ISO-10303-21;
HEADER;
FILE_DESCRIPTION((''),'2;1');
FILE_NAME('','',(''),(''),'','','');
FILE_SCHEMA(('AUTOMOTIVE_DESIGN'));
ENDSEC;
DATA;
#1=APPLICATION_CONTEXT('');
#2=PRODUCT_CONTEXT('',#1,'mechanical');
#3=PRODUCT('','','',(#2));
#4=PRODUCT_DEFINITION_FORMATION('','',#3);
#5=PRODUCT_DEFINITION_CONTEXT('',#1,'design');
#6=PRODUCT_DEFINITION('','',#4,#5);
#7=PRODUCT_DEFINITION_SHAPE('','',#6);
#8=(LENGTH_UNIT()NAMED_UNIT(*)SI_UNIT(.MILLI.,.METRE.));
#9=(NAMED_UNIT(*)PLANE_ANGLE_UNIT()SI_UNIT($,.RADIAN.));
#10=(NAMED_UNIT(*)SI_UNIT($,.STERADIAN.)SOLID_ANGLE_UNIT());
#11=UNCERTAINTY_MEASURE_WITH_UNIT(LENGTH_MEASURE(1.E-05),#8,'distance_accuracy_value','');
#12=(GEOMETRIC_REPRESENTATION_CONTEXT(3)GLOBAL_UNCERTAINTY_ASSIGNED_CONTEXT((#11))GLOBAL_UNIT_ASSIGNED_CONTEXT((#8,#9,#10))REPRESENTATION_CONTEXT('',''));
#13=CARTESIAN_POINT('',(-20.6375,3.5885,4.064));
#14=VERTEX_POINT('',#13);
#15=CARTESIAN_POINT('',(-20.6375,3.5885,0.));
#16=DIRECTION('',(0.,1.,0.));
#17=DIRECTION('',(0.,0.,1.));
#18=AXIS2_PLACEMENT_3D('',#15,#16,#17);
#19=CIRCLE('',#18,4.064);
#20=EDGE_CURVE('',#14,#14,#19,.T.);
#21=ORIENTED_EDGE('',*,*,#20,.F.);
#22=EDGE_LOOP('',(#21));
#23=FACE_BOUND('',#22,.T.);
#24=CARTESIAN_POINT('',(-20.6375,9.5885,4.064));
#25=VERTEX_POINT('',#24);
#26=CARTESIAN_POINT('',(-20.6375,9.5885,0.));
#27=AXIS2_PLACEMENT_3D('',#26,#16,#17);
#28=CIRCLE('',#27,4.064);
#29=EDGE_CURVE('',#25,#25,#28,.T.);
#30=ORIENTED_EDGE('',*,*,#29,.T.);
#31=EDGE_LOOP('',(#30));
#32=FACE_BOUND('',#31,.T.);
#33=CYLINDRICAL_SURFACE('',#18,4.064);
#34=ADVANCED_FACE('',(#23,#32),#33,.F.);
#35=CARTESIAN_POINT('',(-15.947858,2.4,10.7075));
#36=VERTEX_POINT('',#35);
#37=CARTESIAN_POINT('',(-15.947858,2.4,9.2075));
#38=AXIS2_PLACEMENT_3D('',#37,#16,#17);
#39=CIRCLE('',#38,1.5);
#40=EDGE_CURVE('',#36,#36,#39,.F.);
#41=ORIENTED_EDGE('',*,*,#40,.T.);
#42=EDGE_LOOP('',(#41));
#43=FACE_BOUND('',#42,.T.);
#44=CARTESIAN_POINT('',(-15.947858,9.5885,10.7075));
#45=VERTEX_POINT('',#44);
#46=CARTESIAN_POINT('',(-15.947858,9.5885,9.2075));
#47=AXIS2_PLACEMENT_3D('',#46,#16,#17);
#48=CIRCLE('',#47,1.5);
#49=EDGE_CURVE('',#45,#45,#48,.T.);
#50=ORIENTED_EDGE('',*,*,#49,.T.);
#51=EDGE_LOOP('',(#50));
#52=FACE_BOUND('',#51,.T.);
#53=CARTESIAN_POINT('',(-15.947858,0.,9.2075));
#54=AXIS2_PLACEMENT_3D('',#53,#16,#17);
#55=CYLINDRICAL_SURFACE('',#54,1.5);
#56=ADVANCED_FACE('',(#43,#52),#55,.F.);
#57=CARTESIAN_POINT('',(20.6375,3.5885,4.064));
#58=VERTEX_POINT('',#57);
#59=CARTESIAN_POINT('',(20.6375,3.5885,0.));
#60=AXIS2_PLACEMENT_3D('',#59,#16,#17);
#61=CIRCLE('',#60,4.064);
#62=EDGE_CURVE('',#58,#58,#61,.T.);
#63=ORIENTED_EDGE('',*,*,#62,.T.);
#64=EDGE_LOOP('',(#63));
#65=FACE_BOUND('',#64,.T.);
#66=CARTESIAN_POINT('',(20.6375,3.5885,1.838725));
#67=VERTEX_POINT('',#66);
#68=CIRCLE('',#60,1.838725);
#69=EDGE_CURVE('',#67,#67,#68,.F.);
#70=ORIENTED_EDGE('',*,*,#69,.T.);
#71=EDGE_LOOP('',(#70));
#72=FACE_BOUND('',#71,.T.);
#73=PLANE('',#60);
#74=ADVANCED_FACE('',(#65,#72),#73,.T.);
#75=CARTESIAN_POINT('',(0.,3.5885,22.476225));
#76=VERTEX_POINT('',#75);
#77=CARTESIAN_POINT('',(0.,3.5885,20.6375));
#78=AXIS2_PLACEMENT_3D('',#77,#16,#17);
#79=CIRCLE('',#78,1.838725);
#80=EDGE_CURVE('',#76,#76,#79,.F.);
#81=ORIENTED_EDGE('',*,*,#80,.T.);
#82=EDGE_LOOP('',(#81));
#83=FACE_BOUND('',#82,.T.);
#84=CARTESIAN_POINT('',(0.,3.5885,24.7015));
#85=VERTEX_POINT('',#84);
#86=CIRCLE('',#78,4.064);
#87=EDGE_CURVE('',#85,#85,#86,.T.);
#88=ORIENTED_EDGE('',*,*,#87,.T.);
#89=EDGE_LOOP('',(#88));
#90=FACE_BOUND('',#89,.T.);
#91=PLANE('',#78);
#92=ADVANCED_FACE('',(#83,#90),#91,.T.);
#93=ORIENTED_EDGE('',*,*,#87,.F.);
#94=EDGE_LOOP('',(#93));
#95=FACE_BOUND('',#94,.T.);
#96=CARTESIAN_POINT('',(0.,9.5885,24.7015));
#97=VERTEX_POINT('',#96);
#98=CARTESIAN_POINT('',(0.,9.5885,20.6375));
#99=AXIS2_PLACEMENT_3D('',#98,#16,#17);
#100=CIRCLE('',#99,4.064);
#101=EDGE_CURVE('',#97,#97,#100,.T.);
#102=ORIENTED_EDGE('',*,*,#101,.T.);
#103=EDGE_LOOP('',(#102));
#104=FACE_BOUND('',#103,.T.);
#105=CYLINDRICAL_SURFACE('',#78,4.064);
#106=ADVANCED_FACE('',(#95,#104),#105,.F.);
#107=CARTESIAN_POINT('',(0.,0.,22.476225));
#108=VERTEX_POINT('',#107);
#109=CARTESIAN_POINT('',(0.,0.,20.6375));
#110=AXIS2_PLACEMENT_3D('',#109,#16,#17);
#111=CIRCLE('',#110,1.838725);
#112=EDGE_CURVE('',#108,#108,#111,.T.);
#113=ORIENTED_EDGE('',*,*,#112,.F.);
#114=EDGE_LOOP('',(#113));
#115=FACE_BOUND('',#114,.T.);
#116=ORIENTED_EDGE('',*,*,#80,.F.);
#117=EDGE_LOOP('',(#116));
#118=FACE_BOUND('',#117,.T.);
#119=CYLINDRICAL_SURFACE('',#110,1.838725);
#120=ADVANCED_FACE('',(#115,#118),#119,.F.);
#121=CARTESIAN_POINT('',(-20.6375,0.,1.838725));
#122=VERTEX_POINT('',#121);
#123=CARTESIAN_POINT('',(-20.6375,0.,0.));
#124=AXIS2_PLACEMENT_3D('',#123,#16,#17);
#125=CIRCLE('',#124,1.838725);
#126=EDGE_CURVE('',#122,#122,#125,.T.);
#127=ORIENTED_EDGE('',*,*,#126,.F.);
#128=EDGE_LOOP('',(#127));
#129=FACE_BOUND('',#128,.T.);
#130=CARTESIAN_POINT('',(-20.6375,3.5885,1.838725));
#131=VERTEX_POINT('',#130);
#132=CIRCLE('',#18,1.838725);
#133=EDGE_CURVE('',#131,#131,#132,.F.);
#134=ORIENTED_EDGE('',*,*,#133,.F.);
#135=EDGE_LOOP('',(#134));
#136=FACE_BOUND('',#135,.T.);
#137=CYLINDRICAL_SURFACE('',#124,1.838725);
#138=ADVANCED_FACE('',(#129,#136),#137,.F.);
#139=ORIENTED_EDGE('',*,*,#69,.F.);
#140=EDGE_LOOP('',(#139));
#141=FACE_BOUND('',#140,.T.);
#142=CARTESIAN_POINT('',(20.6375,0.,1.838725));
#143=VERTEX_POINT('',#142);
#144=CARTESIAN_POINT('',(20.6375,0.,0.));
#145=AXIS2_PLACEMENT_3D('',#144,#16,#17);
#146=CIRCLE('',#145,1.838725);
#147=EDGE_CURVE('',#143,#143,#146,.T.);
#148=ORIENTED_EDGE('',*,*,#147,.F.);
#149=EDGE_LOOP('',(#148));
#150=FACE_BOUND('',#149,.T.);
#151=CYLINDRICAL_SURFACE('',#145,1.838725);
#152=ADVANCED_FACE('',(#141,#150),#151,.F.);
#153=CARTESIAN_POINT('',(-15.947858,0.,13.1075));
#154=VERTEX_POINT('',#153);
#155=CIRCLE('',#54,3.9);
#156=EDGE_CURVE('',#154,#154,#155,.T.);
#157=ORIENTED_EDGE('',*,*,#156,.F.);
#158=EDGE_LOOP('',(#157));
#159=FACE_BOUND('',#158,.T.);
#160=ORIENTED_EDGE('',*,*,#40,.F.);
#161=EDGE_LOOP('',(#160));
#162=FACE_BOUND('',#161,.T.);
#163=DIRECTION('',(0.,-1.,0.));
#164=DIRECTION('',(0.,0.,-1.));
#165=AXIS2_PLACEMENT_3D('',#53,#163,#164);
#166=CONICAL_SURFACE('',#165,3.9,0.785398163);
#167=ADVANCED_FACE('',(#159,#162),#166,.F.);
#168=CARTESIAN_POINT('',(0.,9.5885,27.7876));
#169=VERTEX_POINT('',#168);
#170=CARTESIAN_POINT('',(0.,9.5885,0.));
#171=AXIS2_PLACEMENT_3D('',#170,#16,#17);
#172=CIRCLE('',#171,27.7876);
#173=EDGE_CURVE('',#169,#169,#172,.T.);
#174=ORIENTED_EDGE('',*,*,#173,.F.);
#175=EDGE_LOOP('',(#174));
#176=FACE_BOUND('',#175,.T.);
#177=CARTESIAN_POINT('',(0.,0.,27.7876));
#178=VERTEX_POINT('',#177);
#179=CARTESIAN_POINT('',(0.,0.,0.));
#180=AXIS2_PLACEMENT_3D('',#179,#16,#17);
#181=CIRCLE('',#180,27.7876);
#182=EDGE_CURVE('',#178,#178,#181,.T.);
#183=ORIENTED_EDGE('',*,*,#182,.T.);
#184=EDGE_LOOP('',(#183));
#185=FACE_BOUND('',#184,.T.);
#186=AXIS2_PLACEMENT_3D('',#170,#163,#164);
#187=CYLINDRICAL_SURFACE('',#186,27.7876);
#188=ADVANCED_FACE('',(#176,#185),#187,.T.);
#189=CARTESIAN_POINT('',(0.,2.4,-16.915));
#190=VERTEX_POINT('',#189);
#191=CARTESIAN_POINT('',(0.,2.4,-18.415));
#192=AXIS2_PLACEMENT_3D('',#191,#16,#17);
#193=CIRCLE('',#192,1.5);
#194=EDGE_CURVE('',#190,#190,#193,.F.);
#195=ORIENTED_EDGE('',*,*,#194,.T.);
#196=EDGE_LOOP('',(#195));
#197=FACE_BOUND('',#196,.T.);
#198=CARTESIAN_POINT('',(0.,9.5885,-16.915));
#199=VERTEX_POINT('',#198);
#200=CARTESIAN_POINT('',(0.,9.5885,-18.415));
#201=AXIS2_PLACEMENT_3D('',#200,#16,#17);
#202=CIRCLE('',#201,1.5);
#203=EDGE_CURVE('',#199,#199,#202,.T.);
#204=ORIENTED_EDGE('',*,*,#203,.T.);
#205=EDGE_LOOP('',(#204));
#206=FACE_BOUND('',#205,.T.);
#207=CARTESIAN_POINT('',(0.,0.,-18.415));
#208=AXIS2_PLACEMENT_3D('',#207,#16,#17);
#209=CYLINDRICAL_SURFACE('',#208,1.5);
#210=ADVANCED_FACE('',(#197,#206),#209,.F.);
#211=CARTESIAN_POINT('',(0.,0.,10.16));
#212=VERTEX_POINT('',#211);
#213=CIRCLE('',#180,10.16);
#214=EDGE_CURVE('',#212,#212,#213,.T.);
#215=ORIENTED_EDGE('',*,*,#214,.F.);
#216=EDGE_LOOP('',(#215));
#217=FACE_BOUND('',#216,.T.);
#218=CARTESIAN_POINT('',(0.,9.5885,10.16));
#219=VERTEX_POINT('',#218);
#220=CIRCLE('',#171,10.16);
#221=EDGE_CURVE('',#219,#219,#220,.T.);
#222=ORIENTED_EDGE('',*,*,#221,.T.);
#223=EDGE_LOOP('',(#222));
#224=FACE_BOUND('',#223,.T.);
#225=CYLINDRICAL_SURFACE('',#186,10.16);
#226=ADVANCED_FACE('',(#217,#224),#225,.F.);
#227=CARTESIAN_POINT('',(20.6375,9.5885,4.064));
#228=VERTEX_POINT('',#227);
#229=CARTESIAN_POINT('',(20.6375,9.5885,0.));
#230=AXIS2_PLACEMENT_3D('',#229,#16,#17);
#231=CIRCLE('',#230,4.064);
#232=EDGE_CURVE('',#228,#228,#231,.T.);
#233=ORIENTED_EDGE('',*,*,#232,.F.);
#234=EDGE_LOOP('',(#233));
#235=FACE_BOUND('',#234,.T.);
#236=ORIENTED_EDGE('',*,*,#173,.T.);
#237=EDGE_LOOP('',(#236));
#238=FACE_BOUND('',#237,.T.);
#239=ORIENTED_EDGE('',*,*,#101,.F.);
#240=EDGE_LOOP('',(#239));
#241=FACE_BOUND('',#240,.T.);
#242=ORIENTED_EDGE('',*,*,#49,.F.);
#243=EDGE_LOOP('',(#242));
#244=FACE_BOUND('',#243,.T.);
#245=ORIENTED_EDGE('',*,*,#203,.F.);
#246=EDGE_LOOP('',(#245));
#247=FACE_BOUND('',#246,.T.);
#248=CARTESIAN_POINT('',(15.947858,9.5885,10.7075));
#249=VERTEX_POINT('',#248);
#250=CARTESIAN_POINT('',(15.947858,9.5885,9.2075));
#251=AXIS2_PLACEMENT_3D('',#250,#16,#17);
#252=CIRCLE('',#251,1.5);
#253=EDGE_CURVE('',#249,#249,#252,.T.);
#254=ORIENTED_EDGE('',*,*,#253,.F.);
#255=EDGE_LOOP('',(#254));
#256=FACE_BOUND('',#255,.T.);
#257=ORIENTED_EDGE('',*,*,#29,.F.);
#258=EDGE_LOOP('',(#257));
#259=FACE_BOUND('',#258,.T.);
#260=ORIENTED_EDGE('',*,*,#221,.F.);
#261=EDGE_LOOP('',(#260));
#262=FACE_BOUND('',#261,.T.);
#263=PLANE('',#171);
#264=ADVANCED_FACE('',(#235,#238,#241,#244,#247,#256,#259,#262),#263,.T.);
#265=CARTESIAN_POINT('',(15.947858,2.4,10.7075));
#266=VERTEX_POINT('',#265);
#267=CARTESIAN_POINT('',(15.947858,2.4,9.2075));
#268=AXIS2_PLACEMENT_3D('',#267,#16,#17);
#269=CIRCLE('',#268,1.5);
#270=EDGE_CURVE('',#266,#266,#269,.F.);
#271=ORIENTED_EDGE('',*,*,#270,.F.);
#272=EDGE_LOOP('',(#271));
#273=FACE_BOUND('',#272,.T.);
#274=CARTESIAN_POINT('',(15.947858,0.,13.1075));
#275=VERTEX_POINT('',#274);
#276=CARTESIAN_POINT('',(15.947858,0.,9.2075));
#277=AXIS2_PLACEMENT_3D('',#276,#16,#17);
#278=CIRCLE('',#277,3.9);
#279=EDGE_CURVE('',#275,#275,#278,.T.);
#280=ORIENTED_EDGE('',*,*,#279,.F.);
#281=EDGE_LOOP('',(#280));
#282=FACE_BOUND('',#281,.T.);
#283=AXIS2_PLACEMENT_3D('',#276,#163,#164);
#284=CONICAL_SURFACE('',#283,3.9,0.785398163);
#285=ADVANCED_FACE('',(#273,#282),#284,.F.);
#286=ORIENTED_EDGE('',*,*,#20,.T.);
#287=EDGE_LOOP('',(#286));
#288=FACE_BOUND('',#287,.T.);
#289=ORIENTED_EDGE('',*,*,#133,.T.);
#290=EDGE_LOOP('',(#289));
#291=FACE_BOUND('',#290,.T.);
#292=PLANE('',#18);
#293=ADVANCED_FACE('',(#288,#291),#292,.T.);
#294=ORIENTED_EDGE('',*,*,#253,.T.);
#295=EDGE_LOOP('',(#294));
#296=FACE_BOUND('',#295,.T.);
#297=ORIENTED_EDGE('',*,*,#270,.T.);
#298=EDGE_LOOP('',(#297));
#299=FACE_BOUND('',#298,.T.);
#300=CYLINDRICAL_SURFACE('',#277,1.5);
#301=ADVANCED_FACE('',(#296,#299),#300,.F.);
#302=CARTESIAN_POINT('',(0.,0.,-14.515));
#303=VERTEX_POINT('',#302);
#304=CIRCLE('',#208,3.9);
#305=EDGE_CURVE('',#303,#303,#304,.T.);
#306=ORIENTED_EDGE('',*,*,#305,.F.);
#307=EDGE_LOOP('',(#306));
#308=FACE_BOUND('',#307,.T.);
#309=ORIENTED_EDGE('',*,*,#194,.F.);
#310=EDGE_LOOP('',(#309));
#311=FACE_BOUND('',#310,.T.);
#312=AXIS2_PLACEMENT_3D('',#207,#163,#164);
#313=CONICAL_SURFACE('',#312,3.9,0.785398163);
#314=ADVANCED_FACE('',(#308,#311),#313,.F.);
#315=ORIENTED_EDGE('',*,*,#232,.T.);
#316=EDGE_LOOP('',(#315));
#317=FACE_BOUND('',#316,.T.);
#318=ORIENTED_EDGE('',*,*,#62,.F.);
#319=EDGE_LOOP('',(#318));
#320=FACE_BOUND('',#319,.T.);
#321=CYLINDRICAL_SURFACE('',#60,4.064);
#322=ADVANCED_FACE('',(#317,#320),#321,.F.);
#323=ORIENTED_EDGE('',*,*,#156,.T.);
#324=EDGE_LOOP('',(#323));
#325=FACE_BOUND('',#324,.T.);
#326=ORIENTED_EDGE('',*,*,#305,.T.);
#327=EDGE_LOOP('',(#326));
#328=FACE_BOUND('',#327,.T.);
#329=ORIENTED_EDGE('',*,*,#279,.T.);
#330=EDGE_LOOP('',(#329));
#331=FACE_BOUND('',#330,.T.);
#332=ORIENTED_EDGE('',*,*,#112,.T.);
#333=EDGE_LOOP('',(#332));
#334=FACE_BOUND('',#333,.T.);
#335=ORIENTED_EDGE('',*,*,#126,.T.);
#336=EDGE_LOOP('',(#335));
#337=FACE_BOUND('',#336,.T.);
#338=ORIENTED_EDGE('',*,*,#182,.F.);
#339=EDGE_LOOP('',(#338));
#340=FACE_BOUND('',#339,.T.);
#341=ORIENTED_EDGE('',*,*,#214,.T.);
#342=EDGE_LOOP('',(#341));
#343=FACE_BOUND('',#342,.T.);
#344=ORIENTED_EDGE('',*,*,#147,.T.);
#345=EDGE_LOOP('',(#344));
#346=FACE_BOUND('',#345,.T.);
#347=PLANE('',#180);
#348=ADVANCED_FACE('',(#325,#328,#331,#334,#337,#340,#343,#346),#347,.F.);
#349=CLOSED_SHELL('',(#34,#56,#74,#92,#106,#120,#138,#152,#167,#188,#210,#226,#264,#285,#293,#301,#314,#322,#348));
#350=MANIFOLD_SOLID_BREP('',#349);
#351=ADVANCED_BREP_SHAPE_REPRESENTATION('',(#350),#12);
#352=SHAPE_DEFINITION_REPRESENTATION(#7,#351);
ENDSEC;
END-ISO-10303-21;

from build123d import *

# Parameters (mm, degrees)
SKETCH1_R               = 27.7876
SKETCH1_R_2             = 10.16
RING_DEPTH              = 9.5885
SKETCH2_R               = 1.5
ROBOT_SIDE1_HOLES_DEPTH = 10.5885
ROBOT_SIDE_CHAMFER_SIZE = 2.4
SKETCH3_R               = 1.838724863
TOOL_SIDE_HOLES_DEPTH   = 10.5885
SKETCH4_R               = 4.064
TOOL_SIDE_INSET_DEPTH   = 6


with BuildPart() as part:
    # Sketch1 → Ring (new body)
    with BuildSketch(Plane(origin=(0, 0, 0), x_dir=(1, 0, 0), z_dir=(0, 1, 0))):
        Circle(SKETCH1_R)
        Circle(SKETCH1_R_2, mode=Mode.SUBTRACT)
    extrude(amount=RING_DEPTH)

    # Sketch2 → Robot Side1 - Holes (cut, through all)
    with BuildSketch(Plane(origin=(0, 9.5885, 0), x_dir=(1, 0, 0), z_dir=(0, 1, 0))):
        with Locations((0, 18.415)):
            Circle(SKETCH2_R)
        with Locations((15.947857811, -9.2075)):
            Circle(SKETCH2_R)
        with Locations((-15.947857811, -9.2075)):
            Circle(SKETCH2_R)
    extrude(amount=-ROBOT_SIDE1_HOLES_DEPTH, mode=Mode.SUBTRACT)

    # Robot Side - Chamfer
    robot_side_chamfer_edges = [part.edges().sort_by_distance(p)[0] for p in [
        (-1.5, 0, -18.415),
        (14.447857811, 0, 9.2075),
        (-17.447857811, 0, 9.2075),
    ]]
    chamfer(robot_side_chamfer_edges, length=ROBOT_SIDE_CHAMFER_SIZE)

    # Sketch3 → Tool Side - Holes (cut, through all)
    with BuildSketch(Plane(origin=(0, 9.5885, 0), x_dir=(1, 0, 0), z_dir=(0, 1, 0))):
        with Locations((20.6375, 0)):
            Circle(SKETCH3_R)
        with Locations((0, -20.6375)):
            Circle(SKETCH3_R)
        with Locations((-20.6375, 0)):
            Circle(SKETCH3_R)
    extrude(amount=-TOOL_SIDE_HOLES_DEPTH, mode=Mode.SUBTRACT)

    # Sketch4 → Tool Side - Inset (cut)
    with BuildSketch(Plane(origin=(0, 9.5885, 0), x_dir=(1, 0, 0), z_dir=(0, 1, 0))):
        with Locations((-20.6375, 0)):
            Circle(SKETCH4_R)
        with Locations((0, -20.6375)):
            Circle(SKETCH4_R)
        with Locations((20.6375, 0)):
            Circle(SKETCH4_R)
    extrude(amount=-TOOL_SIDE_INSET_DEPTH, mode=Mode.SUBTRACT)


solid = part.part
